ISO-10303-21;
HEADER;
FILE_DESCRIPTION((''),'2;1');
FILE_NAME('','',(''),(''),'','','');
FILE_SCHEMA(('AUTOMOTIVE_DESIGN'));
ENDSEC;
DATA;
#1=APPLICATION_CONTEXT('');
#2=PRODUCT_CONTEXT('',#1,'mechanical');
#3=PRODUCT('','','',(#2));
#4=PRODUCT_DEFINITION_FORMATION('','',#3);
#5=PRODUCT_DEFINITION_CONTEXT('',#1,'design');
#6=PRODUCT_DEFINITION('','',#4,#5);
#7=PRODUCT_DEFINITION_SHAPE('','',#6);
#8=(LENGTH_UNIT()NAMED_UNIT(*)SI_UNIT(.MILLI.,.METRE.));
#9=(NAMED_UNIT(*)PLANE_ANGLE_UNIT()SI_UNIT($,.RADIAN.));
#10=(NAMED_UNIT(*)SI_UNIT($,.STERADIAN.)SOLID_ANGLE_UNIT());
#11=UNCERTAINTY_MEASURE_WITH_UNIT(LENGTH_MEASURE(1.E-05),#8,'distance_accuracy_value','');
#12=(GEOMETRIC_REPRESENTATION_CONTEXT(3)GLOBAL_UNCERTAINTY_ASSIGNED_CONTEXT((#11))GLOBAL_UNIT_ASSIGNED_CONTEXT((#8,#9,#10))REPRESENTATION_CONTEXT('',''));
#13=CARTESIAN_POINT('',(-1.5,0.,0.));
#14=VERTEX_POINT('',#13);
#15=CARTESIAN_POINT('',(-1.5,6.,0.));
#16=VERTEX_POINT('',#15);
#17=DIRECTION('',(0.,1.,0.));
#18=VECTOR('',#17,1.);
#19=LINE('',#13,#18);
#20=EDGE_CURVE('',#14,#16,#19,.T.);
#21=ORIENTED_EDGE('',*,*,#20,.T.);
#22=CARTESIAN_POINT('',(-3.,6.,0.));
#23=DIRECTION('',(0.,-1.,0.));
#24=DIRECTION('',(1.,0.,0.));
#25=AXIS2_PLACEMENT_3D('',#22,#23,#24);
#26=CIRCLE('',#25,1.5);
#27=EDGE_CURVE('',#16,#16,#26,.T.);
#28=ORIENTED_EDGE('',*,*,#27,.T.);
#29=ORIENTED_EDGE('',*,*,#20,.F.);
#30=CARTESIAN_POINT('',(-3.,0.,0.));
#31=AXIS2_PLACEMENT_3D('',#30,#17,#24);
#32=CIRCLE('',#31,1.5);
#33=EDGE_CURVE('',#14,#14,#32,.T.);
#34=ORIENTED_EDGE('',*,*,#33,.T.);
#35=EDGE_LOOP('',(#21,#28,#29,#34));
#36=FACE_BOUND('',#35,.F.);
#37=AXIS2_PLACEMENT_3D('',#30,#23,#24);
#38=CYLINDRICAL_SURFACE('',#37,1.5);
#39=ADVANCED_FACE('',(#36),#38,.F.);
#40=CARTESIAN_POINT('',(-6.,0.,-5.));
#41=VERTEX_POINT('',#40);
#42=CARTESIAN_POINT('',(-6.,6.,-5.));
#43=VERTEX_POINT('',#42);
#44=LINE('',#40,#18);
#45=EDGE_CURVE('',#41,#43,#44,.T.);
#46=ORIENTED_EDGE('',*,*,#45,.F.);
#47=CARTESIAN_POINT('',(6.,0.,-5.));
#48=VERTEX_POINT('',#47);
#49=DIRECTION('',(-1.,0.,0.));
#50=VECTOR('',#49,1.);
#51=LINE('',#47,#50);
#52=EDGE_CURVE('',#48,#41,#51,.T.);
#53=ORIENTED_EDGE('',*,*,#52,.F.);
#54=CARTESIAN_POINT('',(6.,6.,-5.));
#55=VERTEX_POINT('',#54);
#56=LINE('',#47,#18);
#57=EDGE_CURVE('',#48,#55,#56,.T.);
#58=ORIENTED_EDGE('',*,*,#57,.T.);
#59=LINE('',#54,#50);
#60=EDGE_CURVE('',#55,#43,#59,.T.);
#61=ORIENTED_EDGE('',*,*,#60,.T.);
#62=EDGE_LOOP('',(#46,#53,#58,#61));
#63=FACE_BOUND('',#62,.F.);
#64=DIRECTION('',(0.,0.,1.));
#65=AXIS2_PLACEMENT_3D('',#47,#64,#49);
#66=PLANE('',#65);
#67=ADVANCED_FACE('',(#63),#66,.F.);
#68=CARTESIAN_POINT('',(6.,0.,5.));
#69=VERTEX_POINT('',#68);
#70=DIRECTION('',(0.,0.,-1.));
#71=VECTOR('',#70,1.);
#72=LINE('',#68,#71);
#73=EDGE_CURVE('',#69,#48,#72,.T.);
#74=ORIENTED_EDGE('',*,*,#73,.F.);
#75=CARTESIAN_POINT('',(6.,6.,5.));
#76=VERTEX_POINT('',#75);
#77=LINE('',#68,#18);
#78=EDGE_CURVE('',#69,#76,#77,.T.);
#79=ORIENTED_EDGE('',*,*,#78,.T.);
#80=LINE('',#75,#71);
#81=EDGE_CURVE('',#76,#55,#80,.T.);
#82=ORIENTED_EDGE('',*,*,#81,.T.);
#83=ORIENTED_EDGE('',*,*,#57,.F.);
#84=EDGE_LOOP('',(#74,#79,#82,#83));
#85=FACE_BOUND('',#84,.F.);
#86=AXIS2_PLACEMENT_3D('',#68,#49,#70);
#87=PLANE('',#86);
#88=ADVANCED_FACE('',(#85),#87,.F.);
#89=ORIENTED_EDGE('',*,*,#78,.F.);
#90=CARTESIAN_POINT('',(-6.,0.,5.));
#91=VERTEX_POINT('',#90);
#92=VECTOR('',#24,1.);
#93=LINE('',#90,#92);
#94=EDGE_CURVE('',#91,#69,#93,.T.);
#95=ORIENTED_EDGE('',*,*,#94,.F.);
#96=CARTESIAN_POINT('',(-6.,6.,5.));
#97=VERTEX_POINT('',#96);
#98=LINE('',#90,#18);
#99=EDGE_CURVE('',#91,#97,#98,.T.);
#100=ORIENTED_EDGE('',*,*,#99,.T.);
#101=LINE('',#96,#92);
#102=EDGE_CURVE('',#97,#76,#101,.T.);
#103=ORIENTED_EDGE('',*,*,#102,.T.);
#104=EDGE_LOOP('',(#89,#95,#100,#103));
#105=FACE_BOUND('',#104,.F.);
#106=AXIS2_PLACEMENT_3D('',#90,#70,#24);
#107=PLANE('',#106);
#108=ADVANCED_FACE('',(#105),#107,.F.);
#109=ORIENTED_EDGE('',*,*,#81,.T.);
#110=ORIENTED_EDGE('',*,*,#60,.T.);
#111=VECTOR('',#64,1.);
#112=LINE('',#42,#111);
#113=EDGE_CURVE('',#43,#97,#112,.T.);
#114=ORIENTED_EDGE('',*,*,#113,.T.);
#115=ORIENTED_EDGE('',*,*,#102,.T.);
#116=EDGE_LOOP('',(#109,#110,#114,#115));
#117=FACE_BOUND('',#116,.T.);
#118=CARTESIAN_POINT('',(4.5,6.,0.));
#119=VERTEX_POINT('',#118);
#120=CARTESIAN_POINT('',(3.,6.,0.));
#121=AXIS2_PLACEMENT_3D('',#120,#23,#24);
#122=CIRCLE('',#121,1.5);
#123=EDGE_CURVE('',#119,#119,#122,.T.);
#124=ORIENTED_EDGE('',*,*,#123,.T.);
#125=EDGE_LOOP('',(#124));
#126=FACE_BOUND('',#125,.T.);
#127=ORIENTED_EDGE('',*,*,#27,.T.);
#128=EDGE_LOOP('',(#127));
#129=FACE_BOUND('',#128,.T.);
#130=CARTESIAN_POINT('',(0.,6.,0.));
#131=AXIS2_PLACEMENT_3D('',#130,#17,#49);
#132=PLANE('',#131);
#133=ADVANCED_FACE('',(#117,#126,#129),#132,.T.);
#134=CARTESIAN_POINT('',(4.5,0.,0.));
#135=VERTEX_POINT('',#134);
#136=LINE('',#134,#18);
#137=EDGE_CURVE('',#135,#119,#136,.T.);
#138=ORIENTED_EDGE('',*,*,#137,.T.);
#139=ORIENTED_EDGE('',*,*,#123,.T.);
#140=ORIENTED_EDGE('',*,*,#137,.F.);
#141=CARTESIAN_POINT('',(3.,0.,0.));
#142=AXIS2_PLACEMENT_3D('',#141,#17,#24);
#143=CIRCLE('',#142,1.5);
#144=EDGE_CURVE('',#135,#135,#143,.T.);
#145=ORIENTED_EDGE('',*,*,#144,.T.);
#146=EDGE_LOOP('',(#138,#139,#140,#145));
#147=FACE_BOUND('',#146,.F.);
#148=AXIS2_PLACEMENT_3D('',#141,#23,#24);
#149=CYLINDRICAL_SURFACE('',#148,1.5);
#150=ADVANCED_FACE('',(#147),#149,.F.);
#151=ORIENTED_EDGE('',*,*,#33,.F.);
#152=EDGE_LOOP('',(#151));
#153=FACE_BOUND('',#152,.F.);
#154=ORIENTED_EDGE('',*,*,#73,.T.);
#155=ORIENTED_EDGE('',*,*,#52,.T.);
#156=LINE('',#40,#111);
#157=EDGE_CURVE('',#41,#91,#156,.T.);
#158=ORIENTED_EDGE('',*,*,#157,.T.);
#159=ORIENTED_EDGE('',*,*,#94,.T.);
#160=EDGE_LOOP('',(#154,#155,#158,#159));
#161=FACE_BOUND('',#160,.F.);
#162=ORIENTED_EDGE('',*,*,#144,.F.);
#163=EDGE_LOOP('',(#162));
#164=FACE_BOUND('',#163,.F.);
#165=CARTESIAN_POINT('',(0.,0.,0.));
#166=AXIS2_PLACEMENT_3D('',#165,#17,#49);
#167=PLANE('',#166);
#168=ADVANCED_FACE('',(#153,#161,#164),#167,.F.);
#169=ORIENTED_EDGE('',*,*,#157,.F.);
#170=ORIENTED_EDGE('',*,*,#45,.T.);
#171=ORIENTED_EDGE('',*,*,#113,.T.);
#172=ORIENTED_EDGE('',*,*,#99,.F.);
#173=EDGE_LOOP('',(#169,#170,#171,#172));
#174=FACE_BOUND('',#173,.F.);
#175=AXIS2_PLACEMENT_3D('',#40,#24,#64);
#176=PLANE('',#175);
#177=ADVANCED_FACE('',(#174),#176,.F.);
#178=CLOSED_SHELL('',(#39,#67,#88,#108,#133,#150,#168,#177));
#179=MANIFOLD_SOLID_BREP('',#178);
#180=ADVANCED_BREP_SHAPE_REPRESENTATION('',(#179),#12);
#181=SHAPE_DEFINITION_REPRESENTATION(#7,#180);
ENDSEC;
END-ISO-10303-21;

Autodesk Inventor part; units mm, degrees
ref_plane "YZ Plane" through (0, 0, 0) normal (1, 0, 0) x (0, 1, 0)
ref_plane "XZ Plane" through (0, 0, 0) normal (0, 1, 0) x (-1, 0, 0)
ref_plane "XY Plane" through (0, 0, 0) normal (0, 0, 1) x (1, 0, 0)
sketch "Sketch1" plane through (0, 0, 0) normal (0, 1, 0) x (-1, 0, 0)
  line L0 (6, 5) -> (-6, 5)
  line L1 (-6, 5) -> (-6, -5)
  line L2 (-6, -5) -> (6, -5)
  line L3 (6, -5) -> (6, 5)
  line L4 (6, 5) -> (-6, -5) construction
  line L5 (-6, 5) -> (6, -5) construction
  point P0 (0, 0)
  dimension "d0" = 12
  dimension "d1" = 10
extrude "Extrusion1" add sketch "Sketch1" along normal blind 6
sketch "Sketch2" plane through (0, 6, 0) normal (0, 1, 0) x (1, 0, 0)
  line L0 (6, -5) -> (6, 5) projected
  line L1 (-6, 5) -> (-6, -5) projected
  line L2 (-6, 0) -> (-3, 0)
  line L3 (6, 0) -> (3, 0)
  circle A0 centre (-3, 0) radius 1.5
  circle A1 centre (3, 0) radius 1.5
  point P0 (0, 0)
  dimension "d4" = 3
  dimension "d5" = 3
  dimension "d6" = 3
  dimension "d7" = 3
extrude "Extrusion2" cut sketch "Sketch2" against normal blind 6
sketch "Sketch3" plane through (0, 0, 0) normal (0, -1, 0) x (1, 0, 0)
  circle A0 centre (-3, 0) radius 1.5 projected
  circle A1 centre (3, 0) radius 1.5 projected
  point P0 (0, 0)
extrude "Extrusion3" add sketch "Sketch3" against normal blind 6
sketch "Sketch4" plane through (0, 0, 0) normal (0, -1, 0) x (1, 0, 0)
  line L0 (-6, -5) -> (-6, 5) projected
  line L1 (6, 5) -> (6, -5) projected
  line L2 (-6, 0) -> (-3, 0)
  line L3 (-3, 0) -> (3, 0)
  circle A0 centre (3, 0) radius 1.5
  circle A1 centre (-3, 0) radius 1.5
  point P0 (0, 0)
  dimension "d12" = 3
  dimension "d13" = 6
  dimension "d14" = 3
  dimension "d15" = 3
extrude "Extrusion4" cut sketch "Sketch4" against normal blind 6
properties part number "kolejnicka_ruka_druha_cast"
